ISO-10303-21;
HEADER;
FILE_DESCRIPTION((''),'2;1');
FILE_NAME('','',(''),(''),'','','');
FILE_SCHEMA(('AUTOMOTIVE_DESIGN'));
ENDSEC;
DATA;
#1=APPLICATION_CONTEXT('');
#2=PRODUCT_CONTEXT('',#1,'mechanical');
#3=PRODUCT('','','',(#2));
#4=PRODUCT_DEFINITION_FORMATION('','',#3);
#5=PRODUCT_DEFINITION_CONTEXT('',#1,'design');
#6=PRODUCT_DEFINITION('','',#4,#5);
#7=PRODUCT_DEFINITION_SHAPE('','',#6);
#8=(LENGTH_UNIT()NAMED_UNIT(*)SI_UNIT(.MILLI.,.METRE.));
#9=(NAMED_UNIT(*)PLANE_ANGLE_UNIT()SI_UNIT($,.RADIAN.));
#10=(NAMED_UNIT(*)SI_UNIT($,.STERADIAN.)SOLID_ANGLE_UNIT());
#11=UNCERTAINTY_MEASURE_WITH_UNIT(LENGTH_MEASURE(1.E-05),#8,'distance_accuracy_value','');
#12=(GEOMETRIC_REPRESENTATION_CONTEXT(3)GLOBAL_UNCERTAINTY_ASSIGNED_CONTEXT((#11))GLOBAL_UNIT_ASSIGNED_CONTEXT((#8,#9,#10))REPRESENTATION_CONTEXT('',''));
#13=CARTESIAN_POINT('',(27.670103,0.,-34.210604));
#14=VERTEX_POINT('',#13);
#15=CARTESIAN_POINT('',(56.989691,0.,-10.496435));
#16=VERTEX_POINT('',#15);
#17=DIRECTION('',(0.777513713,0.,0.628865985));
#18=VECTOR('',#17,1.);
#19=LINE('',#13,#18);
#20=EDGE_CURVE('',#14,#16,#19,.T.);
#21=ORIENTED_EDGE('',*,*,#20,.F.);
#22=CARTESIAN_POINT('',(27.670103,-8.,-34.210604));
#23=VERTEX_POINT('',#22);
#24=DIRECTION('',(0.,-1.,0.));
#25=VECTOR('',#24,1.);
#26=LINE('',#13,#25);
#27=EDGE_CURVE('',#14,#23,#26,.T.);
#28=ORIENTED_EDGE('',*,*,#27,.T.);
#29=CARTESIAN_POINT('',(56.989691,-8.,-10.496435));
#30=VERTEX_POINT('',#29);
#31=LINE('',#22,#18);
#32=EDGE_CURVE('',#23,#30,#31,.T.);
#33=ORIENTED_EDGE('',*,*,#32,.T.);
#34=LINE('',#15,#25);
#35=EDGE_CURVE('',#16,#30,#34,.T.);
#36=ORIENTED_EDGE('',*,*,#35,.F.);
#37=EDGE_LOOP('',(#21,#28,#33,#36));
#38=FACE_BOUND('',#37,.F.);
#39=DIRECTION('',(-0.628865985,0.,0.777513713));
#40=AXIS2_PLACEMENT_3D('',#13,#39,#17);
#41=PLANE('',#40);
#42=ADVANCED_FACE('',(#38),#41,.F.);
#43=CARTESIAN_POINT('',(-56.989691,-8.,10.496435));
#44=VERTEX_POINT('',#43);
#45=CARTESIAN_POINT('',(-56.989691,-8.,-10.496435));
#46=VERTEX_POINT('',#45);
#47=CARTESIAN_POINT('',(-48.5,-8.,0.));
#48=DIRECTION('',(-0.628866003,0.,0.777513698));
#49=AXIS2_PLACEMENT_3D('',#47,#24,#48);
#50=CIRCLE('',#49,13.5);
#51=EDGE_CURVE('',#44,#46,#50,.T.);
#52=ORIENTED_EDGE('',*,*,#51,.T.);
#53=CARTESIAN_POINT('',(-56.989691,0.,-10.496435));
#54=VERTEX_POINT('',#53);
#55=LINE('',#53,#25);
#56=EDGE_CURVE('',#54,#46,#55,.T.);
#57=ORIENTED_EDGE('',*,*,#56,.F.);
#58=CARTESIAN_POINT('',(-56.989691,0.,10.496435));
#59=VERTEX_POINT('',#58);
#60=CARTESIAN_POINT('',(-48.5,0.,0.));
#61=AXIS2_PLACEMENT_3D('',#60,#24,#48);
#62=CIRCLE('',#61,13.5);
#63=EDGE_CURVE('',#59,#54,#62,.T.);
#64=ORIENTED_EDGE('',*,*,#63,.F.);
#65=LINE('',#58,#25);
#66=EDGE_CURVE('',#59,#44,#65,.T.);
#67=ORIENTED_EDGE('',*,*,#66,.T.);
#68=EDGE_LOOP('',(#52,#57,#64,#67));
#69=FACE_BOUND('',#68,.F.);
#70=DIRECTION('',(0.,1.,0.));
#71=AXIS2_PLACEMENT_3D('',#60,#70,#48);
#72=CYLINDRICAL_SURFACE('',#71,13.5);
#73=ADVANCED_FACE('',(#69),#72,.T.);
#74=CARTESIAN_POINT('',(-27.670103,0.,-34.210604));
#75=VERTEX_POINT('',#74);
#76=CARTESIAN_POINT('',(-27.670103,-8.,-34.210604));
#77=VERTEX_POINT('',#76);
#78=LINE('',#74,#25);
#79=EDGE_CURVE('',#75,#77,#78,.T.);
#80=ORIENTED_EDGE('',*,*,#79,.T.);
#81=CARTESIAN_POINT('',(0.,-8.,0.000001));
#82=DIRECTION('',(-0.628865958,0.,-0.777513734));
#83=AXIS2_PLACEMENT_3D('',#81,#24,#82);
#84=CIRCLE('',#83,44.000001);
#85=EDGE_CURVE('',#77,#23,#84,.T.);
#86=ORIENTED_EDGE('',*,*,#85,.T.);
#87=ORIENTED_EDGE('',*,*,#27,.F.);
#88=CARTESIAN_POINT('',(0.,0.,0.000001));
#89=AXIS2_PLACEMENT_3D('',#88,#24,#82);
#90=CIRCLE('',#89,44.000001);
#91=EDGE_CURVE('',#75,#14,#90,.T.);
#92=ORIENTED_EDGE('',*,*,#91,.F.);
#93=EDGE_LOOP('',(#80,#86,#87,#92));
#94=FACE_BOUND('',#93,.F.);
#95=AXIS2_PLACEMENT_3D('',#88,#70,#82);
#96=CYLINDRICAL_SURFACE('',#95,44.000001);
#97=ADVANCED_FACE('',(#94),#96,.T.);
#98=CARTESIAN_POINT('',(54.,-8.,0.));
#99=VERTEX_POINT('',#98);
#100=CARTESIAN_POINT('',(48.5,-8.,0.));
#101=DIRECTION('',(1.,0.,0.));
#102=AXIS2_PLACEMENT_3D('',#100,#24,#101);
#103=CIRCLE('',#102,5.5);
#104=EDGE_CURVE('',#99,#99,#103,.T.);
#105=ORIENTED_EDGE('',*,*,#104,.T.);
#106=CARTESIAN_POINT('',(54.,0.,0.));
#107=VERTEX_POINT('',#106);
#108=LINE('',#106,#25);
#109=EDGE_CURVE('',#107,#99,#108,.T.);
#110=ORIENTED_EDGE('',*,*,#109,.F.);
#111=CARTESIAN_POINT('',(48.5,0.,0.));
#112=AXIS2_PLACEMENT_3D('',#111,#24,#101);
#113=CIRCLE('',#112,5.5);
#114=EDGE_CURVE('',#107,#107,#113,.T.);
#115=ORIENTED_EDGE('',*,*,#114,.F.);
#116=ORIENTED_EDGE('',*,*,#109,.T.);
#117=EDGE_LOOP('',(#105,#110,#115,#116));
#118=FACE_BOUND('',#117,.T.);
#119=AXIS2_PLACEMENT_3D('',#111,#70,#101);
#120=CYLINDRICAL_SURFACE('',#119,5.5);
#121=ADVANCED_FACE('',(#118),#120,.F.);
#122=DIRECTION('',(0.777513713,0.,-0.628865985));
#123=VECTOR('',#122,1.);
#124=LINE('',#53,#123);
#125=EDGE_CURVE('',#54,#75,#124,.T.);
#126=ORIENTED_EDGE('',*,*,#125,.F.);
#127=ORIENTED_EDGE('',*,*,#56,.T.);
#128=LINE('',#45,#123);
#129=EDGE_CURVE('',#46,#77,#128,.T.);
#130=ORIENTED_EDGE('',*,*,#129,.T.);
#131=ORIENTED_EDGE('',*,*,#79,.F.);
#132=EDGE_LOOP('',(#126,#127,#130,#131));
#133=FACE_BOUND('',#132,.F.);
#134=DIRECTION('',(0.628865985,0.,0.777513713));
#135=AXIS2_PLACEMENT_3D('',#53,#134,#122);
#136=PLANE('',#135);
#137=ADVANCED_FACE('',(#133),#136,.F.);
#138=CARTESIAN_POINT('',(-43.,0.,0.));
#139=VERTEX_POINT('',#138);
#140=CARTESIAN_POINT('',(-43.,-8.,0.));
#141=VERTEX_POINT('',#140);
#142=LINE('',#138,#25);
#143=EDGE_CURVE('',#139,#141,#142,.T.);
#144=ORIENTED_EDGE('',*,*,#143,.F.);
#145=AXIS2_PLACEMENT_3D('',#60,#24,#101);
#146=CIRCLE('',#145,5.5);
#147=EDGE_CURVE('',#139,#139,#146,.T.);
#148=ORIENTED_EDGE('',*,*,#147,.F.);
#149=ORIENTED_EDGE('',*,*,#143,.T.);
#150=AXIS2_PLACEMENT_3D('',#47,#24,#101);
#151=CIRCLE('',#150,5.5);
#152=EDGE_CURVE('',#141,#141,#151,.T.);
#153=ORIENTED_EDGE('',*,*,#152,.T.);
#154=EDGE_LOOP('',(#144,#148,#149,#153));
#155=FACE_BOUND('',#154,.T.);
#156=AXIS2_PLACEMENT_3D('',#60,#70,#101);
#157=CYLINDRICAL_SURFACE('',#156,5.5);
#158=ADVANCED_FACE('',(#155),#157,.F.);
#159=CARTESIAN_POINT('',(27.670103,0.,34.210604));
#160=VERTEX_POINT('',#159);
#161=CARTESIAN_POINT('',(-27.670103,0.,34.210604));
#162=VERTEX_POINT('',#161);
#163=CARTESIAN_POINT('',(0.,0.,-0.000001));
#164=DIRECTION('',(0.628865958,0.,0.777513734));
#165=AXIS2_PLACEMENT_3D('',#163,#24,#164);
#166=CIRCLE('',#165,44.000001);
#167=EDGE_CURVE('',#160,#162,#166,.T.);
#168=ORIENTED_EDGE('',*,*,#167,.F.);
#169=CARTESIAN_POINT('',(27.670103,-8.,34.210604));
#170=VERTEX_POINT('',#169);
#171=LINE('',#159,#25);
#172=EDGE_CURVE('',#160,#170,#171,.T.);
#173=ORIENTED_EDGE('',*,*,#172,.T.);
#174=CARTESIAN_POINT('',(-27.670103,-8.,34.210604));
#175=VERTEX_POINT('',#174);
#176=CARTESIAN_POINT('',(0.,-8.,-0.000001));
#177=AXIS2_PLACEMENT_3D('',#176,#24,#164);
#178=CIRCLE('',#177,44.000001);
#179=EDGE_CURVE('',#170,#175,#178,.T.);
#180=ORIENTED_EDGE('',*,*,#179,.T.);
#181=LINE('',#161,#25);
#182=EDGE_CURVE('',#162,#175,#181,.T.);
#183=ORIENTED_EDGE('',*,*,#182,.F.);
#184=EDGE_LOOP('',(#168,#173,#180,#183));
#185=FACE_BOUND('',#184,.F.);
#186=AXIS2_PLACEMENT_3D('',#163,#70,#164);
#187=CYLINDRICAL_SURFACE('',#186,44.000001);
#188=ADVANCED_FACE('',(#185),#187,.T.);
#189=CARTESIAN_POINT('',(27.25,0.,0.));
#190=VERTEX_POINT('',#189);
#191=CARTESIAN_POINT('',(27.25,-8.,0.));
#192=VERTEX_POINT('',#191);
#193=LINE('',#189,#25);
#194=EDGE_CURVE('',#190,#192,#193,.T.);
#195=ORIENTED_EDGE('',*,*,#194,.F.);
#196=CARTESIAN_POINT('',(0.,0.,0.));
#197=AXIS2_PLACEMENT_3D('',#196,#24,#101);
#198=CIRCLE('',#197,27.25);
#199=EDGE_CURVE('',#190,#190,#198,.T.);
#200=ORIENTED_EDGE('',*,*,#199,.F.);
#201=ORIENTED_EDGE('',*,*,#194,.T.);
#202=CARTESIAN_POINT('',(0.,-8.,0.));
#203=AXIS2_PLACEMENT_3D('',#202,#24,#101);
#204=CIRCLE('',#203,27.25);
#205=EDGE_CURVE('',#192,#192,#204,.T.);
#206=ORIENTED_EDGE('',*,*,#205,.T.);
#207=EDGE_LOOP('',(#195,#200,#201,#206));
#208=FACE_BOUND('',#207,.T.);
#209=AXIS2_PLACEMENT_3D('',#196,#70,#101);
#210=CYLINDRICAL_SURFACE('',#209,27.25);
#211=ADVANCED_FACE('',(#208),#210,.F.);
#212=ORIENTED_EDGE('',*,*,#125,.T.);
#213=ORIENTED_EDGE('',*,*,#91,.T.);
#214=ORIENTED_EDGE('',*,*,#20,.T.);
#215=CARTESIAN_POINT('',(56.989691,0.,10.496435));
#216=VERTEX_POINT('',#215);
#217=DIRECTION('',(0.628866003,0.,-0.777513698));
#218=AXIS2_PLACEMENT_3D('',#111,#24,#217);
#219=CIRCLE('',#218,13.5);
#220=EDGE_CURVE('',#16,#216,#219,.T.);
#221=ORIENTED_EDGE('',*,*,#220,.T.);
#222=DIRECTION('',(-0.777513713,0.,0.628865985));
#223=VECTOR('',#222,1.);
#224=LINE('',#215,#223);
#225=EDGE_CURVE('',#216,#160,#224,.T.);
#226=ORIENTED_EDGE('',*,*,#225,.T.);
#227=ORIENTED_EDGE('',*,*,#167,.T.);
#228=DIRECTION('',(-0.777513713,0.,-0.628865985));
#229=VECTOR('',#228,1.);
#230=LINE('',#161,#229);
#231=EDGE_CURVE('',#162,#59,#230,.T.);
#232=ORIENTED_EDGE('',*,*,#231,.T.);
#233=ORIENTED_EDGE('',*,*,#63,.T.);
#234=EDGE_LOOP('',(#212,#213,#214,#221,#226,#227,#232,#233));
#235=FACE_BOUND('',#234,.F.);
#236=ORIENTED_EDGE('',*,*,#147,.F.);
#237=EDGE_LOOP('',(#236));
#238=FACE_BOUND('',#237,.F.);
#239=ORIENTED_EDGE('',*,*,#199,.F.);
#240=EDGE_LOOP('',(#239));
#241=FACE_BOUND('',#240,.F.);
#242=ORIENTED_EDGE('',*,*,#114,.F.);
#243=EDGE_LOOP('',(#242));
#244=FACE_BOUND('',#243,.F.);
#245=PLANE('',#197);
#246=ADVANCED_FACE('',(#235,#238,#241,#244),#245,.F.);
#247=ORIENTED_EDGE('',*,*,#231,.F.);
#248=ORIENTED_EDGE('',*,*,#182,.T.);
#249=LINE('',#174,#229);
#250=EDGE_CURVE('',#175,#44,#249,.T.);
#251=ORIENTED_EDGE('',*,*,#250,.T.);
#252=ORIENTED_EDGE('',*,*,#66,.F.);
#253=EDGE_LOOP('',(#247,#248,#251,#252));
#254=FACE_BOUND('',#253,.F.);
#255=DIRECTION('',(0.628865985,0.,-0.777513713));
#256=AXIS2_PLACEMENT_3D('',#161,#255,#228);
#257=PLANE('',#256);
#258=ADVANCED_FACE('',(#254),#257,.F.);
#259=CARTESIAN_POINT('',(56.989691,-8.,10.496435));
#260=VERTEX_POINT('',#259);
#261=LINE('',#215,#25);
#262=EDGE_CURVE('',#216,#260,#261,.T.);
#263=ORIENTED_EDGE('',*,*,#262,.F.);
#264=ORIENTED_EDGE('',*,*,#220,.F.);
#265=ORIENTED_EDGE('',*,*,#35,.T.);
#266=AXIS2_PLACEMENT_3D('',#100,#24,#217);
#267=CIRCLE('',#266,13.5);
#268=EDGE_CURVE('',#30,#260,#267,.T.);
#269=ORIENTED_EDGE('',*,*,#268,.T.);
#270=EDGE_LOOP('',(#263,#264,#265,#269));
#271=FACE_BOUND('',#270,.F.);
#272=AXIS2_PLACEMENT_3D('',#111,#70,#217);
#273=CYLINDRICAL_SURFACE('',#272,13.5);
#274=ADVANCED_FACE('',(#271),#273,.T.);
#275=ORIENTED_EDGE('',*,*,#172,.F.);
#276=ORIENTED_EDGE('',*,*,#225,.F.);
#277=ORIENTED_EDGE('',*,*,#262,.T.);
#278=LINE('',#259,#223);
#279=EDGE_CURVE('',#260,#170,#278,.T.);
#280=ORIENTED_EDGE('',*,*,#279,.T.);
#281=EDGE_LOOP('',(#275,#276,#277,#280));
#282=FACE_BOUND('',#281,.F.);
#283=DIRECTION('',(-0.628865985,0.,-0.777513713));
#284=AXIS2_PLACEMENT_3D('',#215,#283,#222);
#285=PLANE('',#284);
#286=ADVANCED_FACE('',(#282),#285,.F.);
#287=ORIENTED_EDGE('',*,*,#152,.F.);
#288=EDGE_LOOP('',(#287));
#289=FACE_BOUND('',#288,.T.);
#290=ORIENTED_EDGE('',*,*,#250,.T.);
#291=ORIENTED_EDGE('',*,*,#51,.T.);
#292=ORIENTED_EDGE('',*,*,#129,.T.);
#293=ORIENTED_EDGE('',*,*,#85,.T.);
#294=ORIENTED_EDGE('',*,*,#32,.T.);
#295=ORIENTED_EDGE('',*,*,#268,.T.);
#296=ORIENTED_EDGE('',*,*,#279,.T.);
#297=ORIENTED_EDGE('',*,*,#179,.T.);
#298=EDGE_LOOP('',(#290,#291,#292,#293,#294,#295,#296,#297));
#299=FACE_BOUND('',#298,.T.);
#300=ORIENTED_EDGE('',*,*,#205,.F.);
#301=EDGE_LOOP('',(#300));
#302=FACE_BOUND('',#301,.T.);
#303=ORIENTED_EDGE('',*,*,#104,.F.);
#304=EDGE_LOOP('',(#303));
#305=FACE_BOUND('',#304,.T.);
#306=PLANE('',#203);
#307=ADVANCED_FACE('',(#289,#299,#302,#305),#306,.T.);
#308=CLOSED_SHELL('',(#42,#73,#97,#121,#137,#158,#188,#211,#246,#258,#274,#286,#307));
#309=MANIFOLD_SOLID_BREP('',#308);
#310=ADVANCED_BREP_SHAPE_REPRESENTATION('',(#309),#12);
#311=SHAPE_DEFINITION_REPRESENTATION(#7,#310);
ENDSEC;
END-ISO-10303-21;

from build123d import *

# Parameters (mm, degrees)
F0_R     = 5.5
F0_R_2   = 27.25
F1_DEPTH = 8


with BuildPart() as f1:
    # F0 (on Front) → F1 (new body)
    with BuildSketch(Plane.XZ):
        with BuildLine():
            ThreePointArc((-56.989691, 10.496435), (-62, 0), (-56.989691, -10.496435))
            Line((-56.989691, -10.496435), (-27.670103, -34.210604))
            ThreePointArc((-27.670103, -34.210604), (0, -44), (27.670103, -34.210604))
            Line((27.670103, -34.210604), (56.989691, -10.496435))
            ThreePointArc((56.989691, -10.496435), (62, 0), (56.989691, 10.496435))
            Line((56.989691, 10.496435), (27.670103, 34.210604))
            ThreePointArc((27.670103, 34.210604), (0, 44), (-27.670103, 34.210604))
            Line((-27.670103, 34.210604), (-56.989691, 10.496435))
        make_face()
        with Locations((-48.5, 0)):
            Circle(F0_R, mode=Mode.SUBTRACT)
        Circle(F0_R_2, mode=Mode.SUBTRACT)
        with Locations((48.5, 0)):
            Circle(F0_R, mode=Mode.SUBTRACT)
    extrude(amount=F1_DEPTH)


solid = f1.part
